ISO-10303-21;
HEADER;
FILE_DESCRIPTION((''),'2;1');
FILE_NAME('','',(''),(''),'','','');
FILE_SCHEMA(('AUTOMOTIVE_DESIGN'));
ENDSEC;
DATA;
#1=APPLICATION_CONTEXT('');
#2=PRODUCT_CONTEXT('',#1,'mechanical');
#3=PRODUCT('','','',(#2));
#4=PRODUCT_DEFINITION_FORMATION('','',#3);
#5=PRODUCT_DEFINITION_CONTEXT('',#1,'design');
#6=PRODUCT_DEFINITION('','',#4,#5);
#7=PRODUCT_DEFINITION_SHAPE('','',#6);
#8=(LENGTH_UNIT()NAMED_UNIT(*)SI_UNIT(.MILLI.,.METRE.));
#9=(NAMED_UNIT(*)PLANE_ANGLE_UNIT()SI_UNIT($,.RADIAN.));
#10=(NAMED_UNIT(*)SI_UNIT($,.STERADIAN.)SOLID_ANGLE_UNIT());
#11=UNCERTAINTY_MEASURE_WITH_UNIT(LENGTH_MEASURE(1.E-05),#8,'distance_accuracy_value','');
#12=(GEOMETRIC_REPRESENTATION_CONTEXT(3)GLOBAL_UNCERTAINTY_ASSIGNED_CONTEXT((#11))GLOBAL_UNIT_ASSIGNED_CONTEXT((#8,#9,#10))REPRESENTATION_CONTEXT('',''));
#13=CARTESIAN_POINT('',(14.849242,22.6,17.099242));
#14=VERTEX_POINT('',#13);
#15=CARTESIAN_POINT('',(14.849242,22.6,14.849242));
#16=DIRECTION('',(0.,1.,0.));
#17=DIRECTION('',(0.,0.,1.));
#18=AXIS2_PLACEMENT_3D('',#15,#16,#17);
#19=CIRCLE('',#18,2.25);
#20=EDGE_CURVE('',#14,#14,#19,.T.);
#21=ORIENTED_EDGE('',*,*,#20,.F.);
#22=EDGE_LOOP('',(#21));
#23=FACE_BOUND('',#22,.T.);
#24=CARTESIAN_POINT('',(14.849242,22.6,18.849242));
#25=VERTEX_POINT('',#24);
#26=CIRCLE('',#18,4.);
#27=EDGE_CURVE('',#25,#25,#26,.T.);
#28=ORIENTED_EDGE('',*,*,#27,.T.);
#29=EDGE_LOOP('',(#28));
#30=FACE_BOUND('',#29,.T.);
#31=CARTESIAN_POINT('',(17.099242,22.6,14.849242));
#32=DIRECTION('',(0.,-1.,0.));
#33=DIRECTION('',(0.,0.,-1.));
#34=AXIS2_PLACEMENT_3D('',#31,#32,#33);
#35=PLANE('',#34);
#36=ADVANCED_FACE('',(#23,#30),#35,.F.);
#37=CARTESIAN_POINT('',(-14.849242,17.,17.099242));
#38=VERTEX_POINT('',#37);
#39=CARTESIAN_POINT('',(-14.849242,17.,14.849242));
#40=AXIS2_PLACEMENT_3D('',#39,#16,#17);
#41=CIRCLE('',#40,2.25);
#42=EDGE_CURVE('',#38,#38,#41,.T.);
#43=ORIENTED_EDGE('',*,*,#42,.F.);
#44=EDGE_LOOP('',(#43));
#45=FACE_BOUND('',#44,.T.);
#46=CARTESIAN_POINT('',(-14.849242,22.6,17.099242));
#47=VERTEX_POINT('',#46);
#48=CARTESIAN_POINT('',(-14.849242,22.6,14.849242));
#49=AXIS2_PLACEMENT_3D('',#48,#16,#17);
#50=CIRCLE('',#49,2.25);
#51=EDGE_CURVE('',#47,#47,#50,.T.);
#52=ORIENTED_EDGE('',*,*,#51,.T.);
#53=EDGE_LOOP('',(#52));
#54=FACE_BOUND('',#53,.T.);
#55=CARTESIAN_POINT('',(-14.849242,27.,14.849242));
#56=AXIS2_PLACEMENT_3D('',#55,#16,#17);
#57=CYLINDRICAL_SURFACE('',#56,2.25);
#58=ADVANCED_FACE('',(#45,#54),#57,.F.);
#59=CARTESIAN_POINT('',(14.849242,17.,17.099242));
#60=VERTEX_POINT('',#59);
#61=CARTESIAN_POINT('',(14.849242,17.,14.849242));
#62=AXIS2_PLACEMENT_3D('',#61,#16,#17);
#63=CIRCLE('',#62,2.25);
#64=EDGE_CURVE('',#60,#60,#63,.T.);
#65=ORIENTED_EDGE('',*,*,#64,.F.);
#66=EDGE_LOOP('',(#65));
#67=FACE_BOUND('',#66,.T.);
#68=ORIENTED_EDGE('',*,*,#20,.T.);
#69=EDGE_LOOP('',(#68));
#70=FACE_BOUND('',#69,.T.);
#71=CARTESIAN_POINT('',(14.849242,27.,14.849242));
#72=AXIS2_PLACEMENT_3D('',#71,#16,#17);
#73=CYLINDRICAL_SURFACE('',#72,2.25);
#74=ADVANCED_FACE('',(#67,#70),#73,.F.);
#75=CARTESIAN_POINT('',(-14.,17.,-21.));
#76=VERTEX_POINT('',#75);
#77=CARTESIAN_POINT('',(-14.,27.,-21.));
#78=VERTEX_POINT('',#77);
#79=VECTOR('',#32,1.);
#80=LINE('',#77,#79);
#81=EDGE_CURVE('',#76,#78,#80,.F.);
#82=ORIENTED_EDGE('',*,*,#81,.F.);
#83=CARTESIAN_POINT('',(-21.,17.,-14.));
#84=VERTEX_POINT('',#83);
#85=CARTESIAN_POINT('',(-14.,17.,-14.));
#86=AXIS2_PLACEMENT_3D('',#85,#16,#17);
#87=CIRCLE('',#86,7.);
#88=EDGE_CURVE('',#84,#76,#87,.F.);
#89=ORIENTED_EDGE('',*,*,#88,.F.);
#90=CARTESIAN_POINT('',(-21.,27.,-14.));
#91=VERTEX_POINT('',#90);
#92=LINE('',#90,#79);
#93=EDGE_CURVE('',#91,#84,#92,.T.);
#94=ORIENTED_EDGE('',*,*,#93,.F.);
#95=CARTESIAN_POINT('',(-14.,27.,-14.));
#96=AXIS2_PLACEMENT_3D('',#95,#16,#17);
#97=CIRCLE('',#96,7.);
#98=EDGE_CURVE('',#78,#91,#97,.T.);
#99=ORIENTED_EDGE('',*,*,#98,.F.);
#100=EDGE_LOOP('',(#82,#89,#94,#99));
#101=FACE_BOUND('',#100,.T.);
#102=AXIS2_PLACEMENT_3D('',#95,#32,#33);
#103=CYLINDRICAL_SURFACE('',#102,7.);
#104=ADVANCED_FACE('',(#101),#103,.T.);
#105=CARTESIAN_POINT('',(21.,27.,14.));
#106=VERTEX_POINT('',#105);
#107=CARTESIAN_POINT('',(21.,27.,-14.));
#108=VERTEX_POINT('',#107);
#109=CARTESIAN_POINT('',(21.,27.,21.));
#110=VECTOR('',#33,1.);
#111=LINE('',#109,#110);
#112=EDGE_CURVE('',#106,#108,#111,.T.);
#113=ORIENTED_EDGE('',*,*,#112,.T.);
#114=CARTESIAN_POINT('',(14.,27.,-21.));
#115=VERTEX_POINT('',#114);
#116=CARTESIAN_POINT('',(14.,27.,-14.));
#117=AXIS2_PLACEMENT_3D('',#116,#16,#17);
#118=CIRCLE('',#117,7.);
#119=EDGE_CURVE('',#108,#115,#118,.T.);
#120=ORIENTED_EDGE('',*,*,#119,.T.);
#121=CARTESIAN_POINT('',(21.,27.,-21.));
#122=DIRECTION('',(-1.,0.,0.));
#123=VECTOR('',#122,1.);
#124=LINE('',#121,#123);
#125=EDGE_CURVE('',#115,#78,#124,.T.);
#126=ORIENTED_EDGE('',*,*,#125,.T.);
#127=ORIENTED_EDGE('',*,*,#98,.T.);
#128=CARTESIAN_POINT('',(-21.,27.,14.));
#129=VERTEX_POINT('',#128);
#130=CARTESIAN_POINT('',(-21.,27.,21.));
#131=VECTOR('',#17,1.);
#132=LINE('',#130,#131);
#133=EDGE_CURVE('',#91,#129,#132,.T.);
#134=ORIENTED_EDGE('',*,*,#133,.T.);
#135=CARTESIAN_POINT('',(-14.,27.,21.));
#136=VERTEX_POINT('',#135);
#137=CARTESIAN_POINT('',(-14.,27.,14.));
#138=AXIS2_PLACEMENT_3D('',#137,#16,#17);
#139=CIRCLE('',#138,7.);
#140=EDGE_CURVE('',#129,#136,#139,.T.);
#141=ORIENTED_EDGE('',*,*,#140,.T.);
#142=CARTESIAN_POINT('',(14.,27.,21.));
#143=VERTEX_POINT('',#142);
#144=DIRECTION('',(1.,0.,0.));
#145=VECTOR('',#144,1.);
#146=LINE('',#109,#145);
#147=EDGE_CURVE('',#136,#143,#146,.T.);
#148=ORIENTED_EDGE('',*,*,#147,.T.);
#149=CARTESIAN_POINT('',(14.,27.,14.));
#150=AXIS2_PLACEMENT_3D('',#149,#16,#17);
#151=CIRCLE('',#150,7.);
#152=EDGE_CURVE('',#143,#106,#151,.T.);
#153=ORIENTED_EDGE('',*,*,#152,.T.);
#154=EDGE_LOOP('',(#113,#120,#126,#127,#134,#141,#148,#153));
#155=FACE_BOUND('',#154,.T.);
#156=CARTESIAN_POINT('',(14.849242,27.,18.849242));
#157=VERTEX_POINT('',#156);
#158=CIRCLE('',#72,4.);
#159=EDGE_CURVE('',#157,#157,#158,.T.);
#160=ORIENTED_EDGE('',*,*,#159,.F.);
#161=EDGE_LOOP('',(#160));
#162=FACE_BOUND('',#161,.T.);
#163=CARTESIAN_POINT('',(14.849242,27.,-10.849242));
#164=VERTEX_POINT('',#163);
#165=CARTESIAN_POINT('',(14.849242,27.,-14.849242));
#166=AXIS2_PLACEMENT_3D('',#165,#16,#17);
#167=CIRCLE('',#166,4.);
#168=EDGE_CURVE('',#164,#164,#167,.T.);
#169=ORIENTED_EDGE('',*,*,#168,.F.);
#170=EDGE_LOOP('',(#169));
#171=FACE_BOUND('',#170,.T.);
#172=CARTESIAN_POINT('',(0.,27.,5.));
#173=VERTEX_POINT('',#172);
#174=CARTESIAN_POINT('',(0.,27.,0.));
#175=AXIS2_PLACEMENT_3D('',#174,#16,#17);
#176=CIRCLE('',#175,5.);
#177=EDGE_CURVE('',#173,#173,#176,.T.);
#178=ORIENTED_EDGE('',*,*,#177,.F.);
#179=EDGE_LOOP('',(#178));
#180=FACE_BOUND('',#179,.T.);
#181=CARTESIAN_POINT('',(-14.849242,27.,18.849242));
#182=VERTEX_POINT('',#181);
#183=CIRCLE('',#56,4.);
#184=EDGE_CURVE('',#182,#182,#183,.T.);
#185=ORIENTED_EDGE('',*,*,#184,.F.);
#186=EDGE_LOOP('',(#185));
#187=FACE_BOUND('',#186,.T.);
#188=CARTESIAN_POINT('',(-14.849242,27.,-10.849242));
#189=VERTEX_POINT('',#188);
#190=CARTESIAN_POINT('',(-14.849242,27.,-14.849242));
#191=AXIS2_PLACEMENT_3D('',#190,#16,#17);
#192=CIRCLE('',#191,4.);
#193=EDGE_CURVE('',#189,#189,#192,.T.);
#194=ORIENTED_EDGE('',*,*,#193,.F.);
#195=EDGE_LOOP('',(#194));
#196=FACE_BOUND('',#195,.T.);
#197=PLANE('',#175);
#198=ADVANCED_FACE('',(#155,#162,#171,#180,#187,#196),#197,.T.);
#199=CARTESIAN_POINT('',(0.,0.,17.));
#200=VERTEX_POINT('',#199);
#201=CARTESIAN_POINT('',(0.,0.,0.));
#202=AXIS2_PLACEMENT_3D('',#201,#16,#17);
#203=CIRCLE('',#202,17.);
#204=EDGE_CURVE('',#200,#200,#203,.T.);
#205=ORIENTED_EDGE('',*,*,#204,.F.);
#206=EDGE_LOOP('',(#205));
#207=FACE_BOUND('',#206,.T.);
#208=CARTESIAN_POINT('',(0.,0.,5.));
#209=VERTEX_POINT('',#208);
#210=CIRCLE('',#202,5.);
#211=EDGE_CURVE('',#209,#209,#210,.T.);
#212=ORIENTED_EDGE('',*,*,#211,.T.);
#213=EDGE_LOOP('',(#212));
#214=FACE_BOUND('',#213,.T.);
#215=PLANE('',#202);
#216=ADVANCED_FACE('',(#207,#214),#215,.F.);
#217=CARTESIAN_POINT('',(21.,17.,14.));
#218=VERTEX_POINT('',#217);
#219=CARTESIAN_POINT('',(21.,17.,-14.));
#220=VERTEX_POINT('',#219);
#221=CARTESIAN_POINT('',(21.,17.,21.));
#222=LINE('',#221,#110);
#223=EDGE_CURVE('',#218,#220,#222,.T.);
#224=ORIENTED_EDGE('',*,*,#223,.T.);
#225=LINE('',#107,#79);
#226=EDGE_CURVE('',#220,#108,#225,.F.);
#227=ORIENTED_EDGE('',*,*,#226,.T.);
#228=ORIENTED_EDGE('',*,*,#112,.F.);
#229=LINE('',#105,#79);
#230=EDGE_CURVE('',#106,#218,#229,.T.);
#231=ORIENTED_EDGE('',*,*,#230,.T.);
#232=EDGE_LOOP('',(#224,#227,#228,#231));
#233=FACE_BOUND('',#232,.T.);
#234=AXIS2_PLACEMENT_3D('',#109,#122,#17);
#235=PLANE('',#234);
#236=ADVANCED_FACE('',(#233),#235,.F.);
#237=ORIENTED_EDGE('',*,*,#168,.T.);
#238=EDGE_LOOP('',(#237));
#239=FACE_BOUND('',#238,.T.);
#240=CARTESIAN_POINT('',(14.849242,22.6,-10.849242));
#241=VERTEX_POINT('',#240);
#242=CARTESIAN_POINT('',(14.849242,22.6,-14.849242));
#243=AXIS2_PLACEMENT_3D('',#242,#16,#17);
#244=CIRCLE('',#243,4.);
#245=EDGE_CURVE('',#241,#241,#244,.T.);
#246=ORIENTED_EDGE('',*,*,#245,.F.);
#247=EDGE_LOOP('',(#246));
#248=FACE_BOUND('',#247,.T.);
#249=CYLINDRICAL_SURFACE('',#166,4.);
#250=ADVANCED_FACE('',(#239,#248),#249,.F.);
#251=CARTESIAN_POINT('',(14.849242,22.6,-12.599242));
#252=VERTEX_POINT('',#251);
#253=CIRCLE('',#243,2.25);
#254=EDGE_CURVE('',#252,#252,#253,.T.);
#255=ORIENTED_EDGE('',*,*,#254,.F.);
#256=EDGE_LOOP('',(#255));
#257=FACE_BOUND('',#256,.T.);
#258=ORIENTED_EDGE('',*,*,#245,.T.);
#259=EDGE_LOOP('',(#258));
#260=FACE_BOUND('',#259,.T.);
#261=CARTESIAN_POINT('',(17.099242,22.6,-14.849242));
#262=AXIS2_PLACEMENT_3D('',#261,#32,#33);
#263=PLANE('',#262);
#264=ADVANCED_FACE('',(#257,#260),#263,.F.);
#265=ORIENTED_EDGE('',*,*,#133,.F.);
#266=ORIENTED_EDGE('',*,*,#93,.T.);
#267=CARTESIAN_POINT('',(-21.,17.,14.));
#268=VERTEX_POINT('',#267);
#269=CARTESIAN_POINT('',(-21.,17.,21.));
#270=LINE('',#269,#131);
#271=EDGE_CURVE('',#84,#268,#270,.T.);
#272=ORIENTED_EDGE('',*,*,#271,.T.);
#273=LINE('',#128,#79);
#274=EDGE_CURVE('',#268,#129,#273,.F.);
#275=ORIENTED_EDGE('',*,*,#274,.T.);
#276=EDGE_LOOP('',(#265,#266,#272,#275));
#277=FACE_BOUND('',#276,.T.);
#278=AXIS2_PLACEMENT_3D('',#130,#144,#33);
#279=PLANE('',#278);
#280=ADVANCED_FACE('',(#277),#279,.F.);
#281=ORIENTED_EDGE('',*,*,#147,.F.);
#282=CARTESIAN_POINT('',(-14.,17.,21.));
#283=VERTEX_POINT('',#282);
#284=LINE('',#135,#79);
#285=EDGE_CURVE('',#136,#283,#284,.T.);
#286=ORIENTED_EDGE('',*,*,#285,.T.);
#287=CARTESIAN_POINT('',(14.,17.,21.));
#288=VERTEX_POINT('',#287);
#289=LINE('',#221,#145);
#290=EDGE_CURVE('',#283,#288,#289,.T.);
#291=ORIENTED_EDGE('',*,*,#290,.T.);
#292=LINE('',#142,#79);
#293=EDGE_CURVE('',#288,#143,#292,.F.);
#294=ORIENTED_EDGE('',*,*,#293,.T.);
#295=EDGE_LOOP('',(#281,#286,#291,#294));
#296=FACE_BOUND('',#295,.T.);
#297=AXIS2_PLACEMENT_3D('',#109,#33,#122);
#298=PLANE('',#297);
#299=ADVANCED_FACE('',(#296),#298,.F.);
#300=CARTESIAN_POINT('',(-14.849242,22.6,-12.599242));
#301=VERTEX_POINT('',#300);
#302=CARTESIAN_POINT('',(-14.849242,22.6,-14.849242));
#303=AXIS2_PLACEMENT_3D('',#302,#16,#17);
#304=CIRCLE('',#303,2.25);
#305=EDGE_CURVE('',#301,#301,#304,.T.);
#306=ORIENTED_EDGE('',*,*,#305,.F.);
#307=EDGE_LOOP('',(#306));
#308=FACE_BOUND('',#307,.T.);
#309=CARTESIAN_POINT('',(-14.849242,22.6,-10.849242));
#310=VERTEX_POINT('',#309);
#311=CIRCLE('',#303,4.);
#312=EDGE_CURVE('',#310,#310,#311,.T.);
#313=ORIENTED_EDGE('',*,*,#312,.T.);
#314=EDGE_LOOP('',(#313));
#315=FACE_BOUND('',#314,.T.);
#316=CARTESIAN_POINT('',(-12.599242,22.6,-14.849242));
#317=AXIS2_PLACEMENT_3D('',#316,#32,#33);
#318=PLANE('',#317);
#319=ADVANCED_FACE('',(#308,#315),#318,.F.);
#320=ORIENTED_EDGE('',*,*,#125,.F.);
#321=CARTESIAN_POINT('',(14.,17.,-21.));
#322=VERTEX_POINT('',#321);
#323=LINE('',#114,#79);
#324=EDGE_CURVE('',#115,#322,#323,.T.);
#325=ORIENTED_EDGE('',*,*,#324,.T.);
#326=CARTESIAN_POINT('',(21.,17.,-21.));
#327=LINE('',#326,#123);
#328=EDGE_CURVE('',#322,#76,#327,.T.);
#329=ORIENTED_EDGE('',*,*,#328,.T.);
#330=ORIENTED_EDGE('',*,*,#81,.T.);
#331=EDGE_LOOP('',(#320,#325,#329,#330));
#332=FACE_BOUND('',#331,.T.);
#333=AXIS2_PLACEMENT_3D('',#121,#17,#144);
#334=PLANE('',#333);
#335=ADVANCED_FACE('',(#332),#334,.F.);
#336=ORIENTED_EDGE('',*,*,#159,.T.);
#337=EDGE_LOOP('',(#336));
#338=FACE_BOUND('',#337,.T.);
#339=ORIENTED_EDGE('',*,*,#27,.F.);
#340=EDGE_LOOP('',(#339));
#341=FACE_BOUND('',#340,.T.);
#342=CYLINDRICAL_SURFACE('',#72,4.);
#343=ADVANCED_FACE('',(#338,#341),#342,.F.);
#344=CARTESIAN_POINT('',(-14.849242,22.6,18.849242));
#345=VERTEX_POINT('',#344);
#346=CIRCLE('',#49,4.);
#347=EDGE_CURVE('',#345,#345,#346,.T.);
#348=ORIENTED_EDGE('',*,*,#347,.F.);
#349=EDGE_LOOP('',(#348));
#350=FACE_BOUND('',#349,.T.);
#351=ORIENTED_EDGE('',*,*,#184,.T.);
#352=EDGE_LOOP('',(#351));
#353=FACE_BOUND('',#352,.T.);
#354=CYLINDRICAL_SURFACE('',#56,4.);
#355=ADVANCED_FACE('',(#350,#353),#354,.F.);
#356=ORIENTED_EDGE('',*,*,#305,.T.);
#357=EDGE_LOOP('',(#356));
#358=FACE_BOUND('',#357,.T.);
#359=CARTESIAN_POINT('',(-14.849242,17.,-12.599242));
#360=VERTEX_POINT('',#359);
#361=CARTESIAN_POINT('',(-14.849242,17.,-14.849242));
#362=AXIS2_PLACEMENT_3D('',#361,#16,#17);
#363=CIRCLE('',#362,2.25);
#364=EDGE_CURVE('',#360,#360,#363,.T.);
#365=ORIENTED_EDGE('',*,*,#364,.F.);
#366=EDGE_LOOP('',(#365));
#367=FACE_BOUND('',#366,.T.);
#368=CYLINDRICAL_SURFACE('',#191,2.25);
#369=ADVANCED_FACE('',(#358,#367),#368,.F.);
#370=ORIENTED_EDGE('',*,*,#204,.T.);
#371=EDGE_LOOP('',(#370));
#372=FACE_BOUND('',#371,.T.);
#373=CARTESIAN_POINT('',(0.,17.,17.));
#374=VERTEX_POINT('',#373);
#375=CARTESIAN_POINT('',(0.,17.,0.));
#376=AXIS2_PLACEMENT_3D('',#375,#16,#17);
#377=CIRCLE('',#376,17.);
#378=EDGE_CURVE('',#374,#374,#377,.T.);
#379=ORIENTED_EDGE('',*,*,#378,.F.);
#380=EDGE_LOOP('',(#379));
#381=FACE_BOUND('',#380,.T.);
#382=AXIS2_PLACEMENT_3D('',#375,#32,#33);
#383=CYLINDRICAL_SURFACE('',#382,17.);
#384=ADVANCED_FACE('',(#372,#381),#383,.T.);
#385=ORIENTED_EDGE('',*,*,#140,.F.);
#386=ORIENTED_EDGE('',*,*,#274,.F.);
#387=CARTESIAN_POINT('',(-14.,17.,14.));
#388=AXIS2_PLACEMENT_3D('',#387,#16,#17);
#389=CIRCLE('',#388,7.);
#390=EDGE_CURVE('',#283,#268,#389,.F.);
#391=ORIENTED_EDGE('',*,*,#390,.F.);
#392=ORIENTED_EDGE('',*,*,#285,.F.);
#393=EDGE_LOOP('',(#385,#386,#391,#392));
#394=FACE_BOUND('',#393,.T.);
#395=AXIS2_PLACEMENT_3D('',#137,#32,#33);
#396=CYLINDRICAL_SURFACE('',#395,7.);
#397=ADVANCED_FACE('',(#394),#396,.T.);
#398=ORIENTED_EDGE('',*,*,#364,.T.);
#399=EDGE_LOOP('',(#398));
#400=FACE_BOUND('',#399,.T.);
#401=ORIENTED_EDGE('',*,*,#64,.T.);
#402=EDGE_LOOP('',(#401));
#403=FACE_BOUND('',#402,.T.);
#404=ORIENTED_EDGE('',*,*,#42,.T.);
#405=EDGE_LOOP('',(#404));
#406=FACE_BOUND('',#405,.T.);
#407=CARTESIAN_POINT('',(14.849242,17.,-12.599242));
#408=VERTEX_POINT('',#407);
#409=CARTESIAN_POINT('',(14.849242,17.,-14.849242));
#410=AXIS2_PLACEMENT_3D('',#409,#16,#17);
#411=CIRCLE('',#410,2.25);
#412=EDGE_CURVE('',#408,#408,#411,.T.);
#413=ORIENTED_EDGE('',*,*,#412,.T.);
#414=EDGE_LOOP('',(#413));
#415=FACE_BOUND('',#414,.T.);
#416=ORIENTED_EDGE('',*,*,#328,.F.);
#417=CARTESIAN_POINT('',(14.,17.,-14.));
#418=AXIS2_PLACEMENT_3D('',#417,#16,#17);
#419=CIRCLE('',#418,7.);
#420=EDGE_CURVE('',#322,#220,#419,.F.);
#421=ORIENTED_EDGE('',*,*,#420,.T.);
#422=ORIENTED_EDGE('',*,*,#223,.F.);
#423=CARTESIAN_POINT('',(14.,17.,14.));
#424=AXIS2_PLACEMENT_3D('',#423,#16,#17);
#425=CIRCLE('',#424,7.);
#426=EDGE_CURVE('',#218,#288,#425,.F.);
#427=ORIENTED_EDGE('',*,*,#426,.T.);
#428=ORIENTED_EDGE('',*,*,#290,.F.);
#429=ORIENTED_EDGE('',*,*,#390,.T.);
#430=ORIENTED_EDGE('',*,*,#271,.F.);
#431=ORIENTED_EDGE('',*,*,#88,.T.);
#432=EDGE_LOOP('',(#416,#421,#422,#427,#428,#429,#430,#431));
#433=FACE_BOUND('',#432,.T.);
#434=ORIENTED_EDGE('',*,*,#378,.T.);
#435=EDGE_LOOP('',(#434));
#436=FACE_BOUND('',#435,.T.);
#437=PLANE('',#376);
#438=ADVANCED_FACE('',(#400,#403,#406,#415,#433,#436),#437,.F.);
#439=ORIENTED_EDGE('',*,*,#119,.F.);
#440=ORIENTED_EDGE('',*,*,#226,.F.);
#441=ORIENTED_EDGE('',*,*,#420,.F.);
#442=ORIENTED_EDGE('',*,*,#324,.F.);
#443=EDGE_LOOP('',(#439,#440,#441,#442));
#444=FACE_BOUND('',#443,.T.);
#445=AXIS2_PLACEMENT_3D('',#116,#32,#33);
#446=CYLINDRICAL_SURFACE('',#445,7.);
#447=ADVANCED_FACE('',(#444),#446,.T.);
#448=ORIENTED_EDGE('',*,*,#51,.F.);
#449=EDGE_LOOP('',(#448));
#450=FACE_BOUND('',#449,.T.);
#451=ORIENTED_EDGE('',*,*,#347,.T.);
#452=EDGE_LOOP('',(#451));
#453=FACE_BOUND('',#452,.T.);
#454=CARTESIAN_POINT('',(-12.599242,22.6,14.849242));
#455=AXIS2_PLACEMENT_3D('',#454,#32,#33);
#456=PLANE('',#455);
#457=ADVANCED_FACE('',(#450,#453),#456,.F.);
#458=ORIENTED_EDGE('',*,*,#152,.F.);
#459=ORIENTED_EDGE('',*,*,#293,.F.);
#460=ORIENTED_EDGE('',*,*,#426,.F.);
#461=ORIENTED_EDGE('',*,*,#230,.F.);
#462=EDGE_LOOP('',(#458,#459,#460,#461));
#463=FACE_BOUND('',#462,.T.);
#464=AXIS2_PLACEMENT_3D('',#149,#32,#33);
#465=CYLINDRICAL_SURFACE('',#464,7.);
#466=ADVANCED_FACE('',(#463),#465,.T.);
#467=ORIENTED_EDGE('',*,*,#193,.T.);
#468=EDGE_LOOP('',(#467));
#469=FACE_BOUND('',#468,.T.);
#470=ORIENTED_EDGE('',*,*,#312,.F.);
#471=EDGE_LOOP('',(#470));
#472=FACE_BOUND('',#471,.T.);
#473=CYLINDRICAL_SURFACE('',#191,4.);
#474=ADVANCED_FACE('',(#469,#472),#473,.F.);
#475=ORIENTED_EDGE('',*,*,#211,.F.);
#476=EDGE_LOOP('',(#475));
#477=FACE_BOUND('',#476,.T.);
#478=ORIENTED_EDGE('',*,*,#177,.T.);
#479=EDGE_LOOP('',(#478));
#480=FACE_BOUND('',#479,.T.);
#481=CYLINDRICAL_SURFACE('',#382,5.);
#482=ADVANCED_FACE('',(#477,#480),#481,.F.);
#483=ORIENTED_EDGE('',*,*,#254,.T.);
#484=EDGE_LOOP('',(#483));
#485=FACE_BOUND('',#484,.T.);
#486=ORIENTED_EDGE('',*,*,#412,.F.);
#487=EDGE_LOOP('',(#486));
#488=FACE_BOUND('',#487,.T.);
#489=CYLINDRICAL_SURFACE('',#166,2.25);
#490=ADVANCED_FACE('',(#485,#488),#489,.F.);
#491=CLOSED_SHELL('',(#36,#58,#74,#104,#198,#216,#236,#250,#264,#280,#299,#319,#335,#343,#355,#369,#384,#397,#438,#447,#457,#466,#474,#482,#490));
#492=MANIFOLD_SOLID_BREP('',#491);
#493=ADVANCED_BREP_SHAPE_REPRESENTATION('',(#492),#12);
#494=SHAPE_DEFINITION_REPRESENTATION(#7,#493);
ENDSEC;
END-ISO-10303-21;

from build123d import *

# Parameters (mm, degrees)
SKETCH1_R                                           = 17
SKETCH1_R_2                                         = 5
BOSS_EXTRUDE1_DEPTH                                 = 17
SKETCH2_W                                           = 42
SKETCH2_H                                           = 42
SKETCH2_R                                           = 5
BOSS_EXTRUDE2_DEPTH                                 = 10
FILLET1_R                                           = 7
CBORE_FOR_M4_HEX_SOCKET_HEAD_CAP_SCREW1_D           = 4.5
CBORE_FOR_M4_HEX_SOCKET_HEAD_CAP_SCREW1_CBORE_D     = 8
CBORE_FOR_M4_HEX_SOCKET_HEAD_CAP_SCREW1_CBORE_DEPTH = 4.4


with BuildPart() as part:
    # Sketch1 → Boss-Extrude1 (new body)
    with BuildSketch(Plane(origin=(0, 0, 0), x_dir=(1, 0, 0), z_dir=(0, 1, 0))):
        with Locations(Location((0, 0, 0), (0, 0, 270))):
            Circle(SKETCH1_R)
        with Locations(Location((0, 0, 0), (0, 0, 270))):
            Circle(SKETCH1_R_2, mode=Mode.SUBTRACT)
    extrude(amount=BOSS_EXTRUDE1_DEPTH)

    # Sketch2 → Boss-Extrude2 (add)
    with BuildSketch(Plane(origin=(0, 17, 0), x_dir=(1, 0, 0), z_dir=(0, 1, 0))):
        Rectangle(SKETCH2_W, SKETCH2_H)
        with Locations(Location((0, 0, 0), (0, 0, 270))):
            Circle(SKETCH2_R, mode=Mode.SUBTRACT)
    extrude(amount=BOSS_EXTRUDE2_DEPTH)

    # Fillet1
    fillet1_edges = [part.edges().sort_by_distance(p)[0] for p in [
        (-21, 22, -21),
        (-21, 22, 21),
        (21, 22, 21),
        (21, 22, -21),
    ]]
    fillet(fillet1_edges, radius=FILLET1_R)

    # CBORE for M4 Hex Socket Head Cap Screw1 (through all)
    with Locations(Plane(origin=(-14.849242405, 27, -14.849242405), x_dir=(0, 0, 1), z_dir=(0, 1, 0))):
        with Locations((0, 0), (0, 29.69848481), (29.69848481, 29.69848481), (29.69848481, 0)):
            CounterBoreHole(CBORE_FOR_M4_HEX_SOCKET_HEAD_CAP_SCREW1_D / 2, CBORE_FOR_M4_HEX_SOCKET_HEAD_CAP_SCREW1_CBORE_D / 2, CBORE_FOR_M4_HEX_SOCKET_HEAD_CAP_SCREW1_CBORE_DEPTH)


solid = part.part
